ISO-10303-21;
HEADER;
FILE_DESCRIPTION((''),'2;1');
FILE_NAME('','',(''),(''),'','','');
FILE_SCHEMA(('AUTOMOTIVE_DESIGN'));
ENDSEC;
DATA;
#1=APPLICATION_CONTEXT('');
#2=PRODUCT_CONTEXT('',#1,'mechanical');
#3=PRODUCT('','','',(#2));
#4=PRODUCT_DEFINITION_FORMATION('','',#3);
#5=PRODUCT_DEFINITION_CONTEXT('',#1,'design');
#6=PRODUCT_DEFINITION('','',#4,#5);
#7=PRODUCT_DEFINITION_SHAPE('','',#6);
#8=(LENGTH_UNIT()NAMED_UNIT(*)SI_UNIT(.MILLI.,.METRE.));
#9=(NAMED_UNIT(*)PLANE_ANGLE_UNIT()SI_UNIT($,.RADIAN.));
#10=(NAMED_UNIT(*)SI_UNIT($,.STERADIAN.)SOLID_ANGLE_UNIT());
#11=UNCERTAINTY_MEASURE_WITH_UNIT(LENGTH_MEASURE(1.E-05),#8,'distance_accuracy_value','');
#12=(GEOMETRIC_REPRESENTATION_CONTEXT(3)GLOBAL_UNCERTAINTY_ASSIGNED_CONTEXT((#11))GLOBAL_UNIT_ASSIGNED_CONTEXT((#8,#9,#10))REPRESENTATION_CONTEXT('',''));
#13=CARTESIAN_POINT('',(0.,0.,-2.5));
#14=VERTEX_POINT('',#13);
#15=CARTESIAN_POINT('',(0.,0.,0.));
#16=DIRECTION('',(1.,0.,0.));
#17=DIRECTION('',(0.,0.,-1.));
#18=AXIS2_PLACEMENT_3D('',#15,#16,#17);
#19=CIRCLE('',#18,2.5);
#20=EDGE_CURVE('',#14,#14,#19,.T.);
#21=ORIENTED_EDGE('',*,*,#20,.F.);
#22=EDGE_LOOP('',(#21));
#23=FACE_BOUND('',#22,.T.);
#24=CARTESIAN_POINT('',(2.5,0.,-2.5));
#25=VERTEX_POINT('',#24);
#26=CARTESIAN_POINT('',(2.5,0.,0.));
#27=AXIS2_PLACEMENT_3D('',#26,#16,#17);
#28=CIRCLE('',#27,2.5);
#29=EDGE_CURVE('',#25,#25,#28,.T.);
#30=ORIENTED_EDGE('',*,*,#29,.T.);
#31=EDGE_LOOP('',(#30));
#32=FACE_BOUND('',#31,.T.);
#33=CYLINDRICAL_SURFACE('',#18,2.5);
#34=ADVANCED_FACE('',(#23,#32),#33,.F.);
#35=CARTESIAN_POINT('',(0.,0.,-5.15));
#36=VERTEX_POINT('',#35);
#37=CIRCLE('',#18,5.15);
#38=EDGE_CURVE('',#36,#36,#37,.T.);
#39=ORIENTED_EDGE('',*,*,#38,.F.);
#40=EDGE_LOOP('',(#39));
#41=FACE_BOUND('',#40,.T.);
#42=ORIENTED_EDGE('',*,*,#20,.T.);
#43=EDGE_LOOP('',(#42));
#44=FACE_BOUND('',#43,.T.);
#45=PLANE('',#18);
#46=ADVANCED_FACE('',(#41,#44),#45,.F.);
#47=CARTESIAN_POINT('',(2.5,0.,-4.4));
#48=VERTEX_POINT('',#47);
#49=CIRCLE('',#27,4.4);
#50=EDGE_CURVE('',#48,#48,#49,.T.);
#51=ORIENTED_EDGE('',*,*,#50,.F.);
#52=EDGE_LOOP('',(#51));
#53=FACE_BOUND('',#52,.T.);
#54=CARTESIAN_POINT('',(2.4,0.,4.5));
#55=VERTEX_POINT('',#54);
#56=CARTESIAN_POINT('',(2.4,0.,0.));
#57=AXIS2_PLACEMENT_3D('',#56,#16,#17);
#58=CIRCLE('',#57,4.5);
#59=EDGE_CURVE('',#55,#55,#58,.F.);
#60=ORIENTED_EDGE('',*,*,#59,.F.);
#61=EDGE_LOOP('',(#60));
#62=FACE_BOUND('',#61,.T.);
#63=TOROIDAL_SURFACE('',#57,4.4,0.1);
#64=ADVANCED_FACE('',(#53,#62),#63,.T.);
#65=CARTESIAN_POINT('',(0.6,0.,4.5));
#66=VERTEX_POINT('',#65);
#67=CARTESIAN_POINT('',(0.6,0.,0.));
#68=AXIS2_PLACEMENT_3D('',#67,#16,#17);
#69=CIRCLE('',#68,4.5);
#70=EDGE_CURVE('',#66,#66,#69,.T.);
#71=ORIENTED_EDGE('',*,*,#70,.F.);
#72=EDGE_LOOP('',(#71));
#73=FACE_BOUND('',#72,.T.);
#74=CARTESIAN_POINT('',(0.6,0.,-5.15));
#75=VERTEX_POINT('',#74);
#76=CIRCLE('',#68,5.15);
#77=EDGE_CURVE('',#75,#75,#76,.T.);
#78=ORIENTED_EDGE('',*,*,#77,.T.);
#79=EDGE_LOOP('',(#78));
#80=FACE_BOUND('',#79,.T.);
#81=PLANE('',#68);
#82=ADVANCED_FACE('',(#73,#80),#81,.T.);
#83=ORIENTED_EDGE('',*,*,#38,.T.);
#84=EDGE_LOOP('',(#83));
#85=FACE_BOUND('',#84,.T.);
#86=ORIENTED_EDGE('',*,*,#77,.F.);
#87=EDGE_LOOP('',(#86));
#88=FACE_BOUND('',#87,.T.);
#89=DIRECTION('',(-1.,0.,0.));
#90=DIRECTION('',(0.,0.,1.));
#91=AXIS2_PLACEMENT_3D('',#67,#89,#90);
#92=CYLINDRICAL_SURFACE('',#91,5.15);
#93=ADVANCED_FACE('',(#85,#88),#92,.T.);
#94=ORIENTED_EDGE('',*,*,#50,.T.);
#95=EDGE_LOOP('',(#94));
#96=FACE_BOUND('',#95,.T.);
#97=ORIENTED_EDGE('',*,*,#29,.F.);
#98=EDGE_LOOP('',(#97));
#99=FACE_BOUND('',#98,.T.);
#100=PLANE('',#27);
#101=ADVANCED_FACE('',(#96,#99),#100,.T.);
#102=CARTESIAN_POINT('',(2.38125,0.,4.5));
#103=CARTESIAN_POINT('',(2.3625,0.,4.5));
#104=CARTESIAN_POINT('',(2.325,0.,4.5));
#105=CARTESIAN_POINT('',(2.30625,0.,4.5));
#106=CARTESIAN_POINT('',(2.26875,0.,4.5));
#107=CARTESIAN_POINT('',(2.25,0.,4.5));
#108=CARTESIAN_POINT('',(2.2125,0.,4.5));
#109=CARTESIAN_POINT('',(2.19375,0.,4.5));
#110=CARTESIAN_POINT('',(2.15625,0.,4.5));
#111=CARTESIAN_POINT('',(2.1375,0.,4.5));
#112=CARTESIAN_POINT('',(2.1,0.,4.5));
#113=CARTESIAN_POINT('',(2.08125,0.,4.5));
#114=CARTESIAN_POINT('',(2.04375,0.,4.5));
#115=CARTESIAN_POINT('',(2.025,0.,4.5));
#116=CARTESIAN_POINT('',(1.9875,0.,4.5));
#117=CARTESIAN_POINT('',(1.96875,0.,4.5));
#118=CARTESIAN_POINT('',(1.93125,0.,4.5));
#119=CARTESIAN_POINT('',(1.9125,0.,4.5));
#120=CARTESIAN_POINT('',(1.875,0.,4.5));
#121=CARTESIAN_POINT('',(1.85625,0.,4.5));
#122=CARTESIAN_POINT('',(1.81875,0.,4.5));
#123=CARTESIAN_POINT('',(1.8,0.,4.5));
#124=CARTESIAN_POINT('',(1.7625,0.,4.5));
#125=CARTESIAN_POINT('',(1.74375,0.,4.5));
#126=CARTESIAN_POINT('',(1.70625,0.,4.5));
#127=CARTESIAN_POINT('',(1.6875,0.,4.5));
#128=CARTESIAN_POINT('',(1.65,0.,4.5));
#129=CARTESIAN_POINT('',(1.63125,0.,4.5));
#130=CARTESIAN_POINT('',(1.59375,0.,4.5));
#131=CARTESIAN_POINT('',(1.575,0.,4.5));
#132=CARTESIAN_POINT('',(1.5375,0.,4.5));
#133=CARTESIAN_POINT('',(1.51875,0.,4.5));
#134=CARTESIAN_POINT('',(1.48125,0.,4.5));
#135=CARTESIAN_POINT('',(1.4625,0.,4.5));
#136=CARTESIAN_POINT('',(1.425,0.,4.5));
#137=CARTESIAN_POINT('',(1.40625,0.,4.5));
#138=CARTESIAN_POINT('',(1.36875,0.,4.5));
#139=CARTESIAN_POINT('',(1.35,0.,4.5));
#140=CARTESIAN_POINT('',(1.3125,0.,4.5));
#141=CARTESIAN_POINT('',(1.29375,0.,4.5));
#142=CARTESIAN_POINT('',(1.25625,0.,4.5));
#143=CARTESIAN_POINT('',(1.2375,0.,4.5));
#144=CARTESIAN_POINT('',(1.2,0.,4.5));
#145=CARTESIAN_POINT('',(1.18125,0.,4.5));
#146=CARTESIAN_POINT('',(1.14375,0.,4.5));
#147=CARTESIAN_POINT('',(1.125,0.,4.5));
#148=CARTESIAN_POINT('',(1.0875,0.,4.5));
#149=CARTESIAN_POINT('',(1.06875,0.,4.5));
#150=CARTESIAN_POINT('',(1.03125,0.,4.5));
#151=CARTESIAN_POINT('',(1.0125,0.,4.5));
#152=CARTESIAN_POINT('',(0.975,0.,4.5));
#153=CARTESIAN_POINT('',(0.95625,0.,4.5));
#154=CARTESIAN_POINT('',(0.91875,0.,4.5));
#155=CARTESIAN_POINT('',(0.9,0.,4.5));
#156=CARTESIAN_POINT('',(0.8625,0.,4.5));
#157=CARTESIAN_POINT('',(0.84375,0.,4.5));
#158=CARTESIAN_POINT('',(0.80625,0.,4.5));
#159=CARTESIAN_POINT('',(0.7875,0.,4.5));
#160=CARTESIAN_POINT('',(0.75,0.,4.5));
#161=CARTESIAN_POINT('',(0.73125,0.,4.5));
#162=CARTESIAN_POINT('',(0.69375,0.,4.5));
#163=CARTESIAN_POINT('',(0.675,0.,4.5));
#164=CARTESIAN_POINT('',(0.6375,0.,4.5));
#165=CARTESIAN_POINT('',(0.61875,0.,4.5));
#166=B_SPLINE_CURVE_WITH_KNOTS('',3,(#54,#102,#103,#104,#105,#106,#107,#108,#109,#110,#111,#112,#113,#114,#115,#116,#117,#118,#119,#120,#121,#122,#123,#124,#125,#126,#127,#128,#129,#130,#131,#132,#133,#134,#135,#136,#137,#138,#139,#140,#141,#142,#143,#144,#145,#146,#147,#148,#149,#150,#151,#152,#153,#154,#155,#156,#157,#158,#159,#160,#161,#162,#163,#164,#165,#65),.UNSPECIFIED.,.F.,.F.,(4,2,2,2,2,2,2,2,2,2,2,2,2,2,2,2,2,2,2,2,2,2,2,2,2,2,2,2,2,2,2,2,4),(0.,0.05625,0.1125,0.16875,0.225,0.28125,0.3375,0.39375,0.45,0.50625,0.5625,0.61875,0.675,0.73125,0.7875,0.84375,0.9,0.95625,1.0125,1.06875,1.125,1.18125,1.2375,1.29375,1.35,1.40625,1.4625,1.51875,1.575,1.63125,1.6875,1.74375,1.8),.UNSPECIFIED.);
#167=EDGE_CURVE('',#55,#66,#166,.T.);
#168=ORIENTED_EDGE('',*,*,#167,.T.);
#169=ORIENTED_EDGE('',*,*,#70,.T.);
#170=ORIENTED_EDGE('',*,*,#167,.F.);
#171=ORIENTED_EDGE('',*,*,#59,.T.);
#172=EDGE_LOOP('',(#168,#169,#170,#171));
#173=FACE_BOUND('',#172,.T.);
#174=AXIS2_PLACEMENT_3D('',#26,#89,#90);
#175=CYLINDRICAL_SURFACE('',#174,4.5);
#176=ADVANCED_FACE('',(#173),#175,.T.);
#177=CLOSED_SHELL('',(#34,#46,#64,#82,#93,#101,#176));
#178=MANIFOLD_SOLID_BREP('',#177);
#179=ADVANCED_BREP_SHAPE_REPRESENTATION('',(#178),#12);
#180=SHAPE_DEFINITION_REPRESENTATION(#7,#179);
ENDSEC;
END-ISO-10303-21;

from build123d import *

# Parameters (mm, degrees)
SKETCH1_R           = 5.15
BOSS_EXTRUDE1_DEPTH = 0.6
SKETCH2_R           = 4.5
BOSS_EXTRUDE2_DEPTH = 1.9
SKETCH3_R           = 2.5
CUT_EXTRUDE1_DEPTH  = 8.700324668
FILLET1_R           = 0.1


with BuildPart() as part:
    # Sketch1 → Boss-Extrude1 (new body)
    with BuildSketch(Plane(origin=(0, 0, 0), x_dir=(0, 0, -1), z_dir=(1, 0, 0))):
        Circle(SKETCH1_R)
    extrude(amount=BOSS_EXTRUDE1_DEPTH)

    # Sketch2 → Boss-Extrude2 (add)
    with BuildSketch(Plane(origin=(0.6, 0, 0), x_dir=(0, 0, -1), z_dir=(1, 0, 0))):
        with Locations(Location((0, 0, 0), (0, 0, 180))):
            Circle(SKETCH2_R)
    extrude(amount=BOSS_EXTRUDE2_DEPTH)

    # Sketch3 → Cut-Extrude1 (cut, through all)
    with BuildSketch(Plane(origin=(2.5, 0, 0), x_dir=(0, 0, -1), z_dir=(1, 0, 0))):
        Circle(SKETCH3_R)
    extrude(amount=-CUT_EXTRUDE1_DEPTH, mode=Mode.SUBTRACT)

    # Fillet1
    fillet1_edges = [part.edges().sort_by_distance(p)[0] for p in [
        (2.5, 0, -4.5),
    ]]
    fillet(fillet1_edges, radius=FILLET1_R)


solid = part.part
